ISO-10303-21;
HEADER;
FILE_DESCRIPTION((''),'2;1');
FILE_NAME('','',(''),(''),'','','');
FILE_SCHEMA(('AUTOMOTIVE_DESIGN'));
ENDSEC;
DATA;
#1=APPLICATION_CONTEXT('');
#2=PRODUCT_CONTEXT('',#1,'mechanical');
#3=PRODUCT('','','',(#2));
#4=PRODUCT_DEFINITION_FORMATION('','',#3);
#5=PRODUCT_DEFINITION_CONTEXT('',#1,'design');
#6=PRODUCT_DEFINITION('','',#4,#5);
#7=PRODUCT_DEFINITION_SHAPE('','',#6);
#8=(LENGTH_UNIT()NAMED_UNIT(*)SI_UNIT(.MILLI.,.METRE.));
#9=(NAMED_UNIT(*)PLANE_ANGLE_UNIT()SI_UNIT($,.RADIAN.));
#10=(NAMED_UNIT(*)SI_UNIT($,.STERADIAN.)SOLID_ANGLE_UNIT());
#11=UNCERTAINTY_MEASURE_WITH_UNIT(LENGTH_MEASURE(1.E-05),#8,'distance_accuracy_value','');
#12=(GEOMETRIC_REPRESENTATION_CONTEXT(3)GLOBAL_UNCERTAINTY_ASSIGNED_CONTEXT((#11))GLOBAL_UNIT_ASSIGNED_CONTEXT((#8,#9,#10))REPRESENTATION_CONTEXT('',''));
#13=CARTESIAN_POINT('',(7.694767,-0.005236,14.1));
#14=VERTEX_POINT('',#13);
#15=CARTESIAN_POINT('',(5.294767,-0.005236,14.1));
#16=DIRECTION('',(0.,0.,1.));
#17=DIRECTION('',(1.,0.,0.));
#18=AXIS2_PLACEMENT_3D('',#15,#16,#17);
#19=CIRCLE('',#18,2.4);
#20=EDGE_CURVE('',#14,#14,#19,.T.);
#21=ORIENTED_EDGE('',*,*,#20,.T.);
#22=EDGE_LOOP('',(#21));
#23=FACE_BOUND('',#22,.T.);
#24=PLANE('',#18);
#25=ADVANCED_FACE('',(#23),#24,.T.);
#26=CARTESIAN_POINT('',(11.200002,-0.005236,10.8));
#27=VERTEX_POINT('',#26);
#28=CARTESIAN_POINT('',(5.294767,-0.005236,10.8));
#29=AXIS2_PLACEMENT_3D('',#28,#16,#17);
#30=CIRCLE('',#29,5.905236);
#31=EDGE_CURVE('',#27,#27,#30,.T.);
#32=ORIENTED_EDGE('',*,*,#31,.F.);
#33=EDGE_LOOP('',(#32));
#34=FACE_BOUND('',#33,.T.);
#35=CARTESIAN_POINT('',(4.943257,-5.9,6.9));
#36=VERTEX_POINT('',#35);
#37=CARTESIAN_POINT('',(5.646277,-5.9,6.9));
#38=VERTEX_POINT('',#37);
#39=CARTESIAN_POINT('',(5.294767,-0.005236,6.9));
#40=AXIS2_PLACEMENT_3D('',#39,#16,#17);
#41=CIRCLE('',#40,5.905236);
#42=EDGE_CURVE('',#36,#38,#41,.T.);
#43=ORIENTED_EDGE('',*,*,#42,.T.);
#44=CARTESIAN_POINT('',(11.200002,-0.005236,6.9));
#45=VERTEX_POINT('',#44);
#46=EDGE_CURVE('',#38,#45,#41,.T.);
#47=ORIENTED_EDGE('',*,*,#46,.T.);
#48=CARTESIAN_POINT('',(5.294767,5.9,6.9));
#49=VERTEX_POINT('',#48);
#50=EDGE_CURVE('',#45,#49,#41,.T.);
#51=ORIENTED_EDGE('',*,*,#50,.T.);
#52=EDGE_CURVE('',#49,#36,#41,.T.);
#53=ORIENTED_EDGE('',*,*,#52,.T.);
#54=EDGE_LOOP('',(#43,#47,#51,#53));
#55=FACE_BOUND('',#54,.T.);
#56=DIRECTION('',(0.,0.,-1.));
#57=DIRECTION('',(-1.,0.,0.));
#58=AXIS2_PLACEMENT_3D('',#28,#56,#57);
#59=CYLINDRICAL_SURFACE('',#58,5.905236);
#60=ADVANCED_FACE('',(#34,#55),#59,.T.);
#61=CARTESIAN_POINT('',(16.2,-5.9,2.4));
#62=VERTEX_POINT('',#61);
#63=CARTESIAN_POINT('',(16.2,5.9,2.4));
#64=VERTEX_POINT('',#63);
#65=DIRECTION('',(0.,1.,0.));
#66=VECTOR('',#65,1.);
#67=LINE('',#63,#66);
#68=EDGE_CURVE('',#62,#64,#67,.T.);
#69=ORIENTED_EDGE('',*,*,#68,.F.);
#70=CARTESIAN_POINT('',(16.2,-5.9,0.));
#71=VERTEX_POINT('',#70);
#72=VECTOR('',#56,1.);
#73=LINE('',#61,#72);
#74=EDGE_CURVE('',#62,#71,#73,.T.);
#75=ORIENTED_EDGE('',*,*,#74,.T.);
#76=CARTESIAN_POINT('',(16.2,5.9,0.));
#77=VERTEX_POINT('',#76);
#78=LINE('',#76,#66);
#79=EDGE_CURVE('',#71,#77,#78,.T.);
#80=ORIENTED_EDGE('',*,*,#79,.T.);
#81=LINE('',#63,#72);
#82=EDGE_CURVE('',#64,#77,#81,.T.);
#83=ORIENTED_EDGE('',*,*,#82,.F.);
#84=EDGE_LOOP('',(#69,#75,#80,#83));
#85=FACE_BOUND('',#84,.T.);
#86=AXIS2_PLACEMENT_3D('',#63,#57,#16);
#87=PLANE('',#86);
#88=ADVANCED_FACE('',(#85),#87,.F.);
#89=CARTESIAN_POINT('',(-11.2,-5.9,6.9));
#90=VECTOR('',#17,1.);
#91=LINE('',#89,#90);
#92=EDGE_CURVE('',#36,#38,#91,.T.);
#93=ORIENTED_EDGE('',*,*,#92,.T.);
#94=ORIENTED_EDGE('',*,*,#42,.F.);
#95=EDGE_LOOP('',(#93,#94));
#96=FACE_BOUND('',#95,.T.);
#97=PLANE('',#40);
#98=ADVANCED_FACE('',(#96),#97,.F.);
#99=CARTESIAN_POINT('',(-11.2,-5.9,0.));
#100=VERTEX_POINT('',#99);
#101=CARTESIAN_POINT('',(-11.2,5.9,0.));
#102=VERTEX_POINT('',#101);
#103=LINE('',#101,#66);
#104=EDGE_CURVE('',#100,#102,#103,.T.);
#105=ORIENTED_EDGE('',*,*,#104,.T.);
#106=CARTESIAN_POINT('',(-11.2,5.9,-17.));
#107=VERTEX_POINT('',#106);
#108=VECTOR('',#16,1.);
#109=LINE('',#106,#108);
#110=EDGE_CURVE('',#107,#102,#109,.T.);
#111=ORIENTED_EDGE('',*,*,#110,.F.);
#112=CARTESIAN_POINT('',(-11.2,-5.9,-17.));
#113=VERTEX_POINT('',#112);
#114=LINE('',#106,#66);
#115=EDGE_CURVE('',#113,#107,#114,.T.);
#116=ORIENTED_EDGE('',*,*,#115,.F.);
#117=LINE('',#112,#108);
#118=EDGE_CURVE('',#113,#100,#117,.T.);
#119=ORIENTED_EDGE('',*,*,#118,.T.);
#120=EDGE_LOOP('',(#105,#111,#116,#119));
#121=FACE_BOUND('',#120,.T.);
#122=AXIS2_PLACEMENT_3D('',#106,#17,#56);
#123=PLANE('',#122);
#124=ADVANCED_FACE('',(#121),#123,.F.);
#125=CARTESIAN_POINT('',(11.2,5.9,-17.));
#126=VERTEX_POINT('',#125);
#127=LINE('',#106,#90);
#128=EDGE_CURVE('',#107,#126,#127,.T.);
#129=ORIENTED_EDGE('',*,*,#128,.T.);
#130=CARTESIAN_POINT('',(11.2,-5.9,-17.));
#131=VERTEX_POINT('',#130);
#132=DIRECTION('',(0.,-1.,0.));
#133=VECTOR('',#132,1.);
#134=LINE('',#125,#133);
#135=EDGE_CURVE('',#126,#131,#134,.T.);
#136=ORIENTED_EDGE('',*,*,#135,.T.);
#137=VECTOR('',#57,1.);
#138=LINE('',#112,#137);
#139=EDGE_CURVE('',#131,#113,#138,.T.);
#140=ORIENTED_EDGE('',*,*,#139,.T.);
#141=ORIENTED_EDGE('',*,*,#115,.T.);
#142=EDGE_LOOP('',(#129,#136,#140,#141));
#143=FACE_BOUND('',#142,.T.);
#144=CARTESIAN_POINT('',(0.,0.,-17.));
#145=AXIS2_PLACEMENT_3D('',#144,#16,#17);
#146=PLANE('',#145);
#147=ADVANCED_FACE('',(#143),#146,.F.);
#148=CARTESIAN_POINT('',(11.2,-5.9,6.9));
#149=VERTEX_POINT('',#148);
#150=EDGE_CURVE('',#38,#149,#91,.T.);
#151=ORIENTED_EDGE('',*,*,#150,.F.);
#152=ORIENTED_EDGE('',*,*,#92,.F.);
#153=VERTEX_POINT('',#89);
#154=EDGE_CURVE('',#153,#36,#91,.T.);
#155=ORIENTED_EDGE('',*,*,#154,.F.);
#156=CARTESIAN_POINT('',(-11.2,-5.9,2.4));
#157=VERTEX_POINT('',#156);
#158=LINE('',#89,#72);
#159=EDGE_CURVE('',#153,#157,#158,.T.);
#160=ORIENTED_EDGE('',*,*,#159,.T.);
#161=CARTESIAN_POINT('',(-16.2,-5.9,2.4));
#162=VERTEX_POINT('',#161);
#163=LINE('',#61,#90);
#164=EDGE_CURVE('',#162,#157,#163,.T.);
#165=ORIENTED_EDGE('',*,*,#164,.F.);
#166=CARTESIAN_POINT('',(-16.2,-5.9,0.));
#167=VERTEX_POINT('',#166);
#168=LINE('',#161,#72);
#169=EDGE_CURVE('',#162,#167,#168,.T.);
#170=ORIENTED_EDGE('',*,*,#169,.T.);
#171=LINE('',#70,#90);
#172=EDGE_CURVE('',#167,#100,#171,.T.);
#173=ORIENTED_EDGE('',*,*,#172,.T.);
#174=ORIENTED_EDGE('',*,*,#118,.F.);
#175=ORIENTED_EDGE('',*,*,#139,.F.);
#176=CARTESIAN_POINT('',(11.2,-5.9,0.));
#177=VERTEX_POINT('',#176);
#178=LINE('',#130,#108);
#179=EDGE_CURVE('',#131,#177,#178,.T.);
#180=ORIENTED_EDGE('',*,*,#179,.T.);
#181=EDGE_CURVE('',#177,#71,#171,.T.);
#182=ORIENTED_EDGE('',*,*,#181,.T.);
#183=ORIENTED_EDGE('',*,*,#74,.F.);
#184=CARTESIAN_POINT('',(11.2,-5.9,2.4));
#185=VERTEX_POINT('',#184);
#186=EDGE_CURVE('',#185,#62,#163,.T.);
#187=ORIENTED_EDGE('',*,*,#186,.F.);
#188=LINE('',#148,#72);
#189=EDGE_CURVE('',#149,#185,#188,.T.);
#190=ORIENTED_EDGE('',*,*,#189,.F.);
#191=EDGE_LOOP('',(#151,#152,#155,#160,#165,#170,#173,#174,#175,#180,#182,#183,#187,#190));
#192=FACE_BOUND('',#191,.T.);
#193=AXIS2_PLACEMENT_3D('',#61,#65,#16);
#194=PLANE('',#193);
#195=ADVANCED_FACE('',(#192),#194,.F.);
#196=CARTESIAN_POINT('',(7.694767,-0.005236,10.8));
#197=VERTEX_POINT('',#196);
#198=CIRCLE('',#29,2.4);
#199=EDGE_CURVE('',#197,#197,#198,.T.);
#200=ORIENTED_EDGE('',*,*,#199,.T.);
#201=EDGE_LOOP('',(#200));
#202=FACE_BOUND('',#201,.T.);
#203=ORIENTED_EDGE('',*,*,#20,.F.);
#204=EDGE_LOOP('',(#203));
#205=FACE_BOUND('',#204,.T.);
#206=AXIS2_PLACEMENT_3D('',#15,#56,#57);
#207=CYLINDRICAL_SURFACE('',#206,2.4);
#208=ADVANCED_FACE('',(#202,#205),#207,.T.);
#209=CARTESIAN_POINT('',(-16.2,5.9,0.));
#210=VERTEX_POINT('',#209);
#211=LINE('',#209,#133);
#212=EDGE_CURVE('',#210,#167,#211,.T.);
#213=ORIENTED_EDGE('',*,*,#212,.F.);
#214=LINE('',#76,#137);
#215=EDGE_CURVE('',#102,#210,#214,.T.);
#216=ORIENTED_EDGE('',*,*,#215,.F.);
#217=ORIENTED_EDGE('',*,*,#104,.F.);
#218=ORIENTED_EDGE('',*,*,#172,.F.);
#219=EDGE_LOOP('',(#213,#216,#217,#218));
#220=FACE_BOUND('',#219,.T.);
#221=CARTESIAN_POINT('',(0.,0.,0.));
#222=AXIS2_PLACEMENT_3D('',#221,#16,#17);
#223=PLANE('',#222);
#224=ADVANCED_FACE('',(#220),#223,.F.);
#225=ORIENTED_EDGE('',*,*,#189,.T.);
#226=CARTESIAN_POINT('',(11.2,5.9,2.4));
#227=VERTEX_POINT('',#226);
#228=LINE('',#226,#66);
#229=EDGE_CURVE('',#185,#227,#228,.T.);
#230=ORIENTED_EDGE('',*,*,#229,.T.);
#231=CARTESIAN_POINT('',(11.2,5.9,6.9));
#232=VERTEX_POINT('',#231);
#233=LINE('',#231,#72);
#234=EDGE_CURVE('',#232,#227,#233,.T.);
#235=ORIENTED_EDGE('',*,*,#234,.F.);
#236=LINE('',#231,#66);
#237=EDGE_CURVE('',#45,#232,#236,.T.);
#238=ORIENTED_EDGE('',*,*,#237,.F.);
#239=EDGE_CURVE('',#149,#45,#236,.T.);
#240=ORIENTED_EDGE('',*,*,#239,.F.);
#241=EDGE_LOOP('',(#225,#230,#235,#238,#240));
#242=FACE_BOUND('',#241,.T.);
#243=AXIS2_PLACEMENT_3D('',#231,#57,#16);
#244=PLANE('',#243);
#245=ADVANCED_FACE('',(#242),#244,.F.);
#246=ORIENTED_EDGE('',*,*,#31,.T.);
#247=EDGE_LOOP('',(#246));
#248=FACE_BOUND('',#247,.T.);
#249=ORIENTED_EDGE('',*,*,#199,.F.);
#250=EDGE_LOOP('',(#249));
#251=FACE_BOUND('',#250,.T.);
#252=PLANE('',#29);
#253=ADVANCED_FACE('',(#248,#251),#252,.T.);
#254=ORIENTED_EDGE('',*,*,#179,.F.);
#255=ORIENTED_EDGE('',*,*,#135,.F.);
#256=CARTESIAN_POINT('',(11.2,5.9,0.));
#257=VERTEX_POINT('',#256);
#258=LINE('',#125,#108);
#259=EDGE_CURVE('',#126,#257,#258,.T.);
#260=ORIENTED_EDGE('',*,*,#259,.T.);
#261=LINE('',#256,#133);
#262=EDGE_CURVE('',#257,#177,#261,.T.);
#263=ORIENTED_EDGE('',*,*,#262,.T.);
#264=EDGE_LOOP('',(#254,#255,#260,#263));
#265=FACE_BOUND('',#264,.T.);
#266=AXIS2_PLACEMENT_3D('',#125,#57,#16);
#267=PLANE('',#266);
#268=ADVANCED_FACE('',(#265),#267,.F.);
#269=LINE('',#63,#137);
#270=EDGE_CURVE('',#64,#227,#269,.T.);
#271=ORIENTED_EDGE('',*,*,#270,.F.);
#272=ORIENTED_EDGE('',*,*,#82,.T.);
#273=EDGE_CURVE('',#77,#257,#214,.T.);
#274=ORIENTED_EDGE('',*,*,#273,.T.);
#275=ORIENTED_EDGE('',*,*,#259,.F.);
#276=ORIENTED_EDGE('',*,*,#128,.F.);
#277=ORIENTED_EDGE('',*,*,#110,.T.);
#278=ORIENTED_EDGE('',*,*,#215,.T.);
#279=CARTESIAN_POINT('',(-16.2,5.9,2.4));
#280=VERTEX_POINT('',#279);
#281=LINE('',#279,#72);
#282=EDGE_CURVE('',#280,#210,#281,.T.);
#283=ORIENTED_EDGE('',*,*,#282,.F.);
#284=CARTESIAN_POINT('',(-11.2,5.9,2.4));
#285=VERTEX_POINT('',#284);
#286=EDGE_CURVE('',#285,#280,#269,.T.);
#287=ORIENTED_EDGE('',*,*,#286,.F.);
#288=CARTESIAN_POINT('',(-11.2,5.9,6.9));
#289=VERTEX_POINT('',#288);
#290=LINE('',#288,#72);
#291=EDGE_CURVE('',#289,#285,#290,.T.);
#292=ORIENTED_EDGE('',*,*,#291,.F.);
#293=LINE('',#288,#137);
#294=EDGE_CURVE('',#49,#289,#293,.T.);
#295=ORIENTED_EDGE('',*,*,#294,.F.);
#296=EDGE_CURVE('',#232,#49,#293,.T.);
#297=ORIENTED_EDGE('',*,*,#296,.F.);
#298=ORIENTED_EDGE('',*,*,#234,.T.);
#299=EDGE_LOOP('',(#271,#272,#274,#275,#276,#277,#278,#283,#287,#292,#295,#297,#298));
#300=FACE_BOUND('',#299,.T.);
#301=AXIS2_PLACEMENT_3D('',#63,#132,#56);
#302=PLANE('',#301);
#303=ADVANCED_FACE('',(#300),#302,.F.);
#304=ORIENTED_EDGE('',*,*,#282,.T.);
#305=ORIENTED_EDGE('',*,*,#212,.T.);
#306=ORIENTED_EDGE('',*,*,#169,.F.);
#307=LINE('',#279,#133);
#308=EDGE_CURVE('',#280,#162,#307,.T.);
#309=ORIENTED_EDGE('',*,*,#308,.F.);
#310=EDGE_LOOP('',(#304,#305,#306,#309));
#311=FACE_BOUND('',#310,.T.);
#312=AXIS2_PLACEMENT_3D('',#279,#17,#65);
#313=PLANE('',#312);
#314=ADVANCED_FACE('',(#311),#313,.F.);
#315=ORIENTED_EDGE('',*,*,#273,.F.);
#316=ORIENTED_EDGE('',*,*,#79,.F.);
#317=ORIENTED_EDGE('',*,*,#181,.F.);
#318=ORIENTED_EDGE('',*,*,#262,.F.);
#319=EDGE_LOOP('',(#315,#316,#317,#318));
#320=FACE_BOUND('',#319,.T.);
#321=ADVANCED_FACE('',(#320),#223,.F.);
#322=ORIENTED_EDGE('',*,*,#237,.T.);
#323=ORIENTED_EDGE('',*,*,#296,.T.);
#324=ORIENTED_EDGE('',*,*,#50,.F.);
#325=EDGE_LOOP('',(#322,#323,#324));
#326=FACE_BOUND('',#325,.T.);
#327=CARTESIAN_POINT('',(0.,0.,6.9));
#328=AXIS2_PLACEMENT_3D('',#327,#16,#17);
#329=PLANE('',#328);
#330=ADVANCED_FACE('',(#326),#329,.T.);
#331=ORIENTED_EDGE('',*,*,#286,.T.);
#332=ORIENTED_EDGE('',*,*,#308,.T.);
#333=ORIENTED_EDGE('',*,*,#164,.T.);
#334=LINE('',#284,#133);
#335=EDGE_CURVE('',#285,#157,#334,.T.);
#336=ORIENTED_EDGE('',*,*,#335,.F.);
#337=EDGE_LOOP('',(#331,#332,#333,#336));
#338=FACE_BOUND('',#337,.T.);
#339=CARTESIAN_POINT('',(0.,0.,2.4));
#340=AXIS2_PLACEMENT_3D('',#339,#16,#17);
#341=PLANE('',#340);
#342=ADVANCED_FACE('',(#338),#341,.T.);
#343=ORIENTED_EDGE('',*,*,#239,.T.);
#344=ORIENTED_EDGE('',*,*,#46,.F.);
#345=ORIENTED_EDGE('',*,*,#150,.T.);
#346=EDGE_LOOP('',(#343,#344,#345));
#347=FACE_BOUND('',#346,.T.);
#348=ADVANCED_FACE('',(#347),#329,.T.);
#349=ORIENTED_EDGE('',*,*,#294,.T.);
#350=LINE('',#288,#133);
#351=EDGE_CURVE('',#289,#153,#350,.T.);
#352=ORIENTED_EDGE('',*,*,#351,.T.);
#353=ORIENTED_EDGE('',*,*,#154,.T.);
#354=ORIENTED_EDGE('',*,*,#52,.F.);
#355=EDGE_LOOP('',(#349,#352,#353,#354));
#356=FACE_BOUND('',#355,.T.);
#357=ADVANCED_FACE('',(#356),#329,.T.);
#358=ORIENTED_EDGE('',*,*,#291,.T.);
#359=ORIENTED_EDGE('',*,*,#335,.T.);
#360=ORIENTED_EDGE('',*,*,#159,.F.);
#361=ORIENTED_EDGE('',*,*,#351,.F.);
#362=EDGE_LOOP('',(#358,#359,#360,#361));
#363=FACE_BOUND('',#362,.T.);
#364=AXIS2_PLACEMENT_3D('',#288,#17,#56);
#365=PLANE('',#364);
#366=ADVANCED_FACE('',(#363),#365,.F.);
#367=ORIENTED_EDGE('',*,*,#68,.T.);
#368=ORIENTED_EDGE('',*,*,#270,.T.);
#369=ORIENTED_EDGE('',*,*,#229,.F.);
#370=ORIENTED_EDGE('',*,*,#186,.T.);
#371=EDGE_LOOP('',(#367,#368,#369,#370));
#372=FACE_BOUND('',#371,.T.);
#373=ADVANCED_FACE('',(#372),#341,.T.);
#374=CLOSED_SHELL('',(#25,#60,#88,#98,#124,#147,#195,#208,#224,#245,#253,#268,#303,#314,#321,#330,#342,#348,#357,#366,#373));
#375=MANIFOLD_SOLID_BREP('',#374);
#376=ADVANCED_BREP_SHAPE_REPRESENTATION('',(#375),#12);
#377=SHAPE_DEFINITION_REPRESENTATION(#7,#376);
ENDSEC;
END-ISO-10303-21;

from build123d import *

# Parameters (mm, degrees)
CROQUIS1_W              = 11.8
CROQUIS1_H              = 32.4
SALIENTE_EXTRUIR1_DEPTH = 2.4
CROQUIS2_W              = 22.4
CROQUIS2_H              = 11.8
SALIENTE_EXTRUIR2_DEPTH = 4.5
CROQUIS3_R              = 5.905235569
SALIENTE_EXTRUIR3_DEPTH = 3.9
CROQUIS4_R              = 2.4
SALIENTE_EXTRUIR4_DEPTH = 3.3
CROQUIS5_W              = 22.4
CROQUIS5_H              = 11.8
SALIENTE_EXTRUIR5_DEPTH = 17


with BuildPart() as part:
    # Croquis1 → Saliente-Extruir1 (new body)
    with BuildSketch(Plane(origin=(0, 0, 0), x_dir=(0, 1, 0), z_dir=(0, 0, 1))):
        Rectangle(CROQUIS1_W, CROQUIS1_H)
    extrude(amount=SALIENTE_EXTRUIR1_DEPTH)

    # Croquis2 → Saliente-Extruir2 (add)
    with BuildSketch(Plane.XY.offset(2.4)):
        Rectangle(CROQUIS2_W, CROQUIS2_H)
    extrude(amount=SALIENTE_EXTRUIR2_DEPTH)

    # Croquis3 → Saliente-Extruir3 (add)
    with BuildSketch(Plane.XY.offset(6.9)):
        with Locations((5.294766752, -0.005235569)):
            Circle(CROQUIS3_R)
    extrude(amount=SALIENTE_EXTRUIR3_DEPTH)

    # Croquis4 → Saliente-Extruir4 (add)
    with BuildSketch(Plane.XY.offset(10.8)):
        with Locations((5.294766752, -0.005235569)):
            Circle(CROQUIS4_R)
    extrude(amount=SALIENTE_EXTRUIR4_DEPTH)

    # Croquis5 → Saliente-Extruir5 (add)
    with BuildSketch(Plane(origin=(0, 0, 0), x_dir=(1, 0, 0), z_dir=(0, 0, -1))):
        Rectangle(CROQUIS5_W, CROQUIS5_H)
    extrude(amount=SALIENTE_EXTRUIR5_DEPTH)


solid = part.part
